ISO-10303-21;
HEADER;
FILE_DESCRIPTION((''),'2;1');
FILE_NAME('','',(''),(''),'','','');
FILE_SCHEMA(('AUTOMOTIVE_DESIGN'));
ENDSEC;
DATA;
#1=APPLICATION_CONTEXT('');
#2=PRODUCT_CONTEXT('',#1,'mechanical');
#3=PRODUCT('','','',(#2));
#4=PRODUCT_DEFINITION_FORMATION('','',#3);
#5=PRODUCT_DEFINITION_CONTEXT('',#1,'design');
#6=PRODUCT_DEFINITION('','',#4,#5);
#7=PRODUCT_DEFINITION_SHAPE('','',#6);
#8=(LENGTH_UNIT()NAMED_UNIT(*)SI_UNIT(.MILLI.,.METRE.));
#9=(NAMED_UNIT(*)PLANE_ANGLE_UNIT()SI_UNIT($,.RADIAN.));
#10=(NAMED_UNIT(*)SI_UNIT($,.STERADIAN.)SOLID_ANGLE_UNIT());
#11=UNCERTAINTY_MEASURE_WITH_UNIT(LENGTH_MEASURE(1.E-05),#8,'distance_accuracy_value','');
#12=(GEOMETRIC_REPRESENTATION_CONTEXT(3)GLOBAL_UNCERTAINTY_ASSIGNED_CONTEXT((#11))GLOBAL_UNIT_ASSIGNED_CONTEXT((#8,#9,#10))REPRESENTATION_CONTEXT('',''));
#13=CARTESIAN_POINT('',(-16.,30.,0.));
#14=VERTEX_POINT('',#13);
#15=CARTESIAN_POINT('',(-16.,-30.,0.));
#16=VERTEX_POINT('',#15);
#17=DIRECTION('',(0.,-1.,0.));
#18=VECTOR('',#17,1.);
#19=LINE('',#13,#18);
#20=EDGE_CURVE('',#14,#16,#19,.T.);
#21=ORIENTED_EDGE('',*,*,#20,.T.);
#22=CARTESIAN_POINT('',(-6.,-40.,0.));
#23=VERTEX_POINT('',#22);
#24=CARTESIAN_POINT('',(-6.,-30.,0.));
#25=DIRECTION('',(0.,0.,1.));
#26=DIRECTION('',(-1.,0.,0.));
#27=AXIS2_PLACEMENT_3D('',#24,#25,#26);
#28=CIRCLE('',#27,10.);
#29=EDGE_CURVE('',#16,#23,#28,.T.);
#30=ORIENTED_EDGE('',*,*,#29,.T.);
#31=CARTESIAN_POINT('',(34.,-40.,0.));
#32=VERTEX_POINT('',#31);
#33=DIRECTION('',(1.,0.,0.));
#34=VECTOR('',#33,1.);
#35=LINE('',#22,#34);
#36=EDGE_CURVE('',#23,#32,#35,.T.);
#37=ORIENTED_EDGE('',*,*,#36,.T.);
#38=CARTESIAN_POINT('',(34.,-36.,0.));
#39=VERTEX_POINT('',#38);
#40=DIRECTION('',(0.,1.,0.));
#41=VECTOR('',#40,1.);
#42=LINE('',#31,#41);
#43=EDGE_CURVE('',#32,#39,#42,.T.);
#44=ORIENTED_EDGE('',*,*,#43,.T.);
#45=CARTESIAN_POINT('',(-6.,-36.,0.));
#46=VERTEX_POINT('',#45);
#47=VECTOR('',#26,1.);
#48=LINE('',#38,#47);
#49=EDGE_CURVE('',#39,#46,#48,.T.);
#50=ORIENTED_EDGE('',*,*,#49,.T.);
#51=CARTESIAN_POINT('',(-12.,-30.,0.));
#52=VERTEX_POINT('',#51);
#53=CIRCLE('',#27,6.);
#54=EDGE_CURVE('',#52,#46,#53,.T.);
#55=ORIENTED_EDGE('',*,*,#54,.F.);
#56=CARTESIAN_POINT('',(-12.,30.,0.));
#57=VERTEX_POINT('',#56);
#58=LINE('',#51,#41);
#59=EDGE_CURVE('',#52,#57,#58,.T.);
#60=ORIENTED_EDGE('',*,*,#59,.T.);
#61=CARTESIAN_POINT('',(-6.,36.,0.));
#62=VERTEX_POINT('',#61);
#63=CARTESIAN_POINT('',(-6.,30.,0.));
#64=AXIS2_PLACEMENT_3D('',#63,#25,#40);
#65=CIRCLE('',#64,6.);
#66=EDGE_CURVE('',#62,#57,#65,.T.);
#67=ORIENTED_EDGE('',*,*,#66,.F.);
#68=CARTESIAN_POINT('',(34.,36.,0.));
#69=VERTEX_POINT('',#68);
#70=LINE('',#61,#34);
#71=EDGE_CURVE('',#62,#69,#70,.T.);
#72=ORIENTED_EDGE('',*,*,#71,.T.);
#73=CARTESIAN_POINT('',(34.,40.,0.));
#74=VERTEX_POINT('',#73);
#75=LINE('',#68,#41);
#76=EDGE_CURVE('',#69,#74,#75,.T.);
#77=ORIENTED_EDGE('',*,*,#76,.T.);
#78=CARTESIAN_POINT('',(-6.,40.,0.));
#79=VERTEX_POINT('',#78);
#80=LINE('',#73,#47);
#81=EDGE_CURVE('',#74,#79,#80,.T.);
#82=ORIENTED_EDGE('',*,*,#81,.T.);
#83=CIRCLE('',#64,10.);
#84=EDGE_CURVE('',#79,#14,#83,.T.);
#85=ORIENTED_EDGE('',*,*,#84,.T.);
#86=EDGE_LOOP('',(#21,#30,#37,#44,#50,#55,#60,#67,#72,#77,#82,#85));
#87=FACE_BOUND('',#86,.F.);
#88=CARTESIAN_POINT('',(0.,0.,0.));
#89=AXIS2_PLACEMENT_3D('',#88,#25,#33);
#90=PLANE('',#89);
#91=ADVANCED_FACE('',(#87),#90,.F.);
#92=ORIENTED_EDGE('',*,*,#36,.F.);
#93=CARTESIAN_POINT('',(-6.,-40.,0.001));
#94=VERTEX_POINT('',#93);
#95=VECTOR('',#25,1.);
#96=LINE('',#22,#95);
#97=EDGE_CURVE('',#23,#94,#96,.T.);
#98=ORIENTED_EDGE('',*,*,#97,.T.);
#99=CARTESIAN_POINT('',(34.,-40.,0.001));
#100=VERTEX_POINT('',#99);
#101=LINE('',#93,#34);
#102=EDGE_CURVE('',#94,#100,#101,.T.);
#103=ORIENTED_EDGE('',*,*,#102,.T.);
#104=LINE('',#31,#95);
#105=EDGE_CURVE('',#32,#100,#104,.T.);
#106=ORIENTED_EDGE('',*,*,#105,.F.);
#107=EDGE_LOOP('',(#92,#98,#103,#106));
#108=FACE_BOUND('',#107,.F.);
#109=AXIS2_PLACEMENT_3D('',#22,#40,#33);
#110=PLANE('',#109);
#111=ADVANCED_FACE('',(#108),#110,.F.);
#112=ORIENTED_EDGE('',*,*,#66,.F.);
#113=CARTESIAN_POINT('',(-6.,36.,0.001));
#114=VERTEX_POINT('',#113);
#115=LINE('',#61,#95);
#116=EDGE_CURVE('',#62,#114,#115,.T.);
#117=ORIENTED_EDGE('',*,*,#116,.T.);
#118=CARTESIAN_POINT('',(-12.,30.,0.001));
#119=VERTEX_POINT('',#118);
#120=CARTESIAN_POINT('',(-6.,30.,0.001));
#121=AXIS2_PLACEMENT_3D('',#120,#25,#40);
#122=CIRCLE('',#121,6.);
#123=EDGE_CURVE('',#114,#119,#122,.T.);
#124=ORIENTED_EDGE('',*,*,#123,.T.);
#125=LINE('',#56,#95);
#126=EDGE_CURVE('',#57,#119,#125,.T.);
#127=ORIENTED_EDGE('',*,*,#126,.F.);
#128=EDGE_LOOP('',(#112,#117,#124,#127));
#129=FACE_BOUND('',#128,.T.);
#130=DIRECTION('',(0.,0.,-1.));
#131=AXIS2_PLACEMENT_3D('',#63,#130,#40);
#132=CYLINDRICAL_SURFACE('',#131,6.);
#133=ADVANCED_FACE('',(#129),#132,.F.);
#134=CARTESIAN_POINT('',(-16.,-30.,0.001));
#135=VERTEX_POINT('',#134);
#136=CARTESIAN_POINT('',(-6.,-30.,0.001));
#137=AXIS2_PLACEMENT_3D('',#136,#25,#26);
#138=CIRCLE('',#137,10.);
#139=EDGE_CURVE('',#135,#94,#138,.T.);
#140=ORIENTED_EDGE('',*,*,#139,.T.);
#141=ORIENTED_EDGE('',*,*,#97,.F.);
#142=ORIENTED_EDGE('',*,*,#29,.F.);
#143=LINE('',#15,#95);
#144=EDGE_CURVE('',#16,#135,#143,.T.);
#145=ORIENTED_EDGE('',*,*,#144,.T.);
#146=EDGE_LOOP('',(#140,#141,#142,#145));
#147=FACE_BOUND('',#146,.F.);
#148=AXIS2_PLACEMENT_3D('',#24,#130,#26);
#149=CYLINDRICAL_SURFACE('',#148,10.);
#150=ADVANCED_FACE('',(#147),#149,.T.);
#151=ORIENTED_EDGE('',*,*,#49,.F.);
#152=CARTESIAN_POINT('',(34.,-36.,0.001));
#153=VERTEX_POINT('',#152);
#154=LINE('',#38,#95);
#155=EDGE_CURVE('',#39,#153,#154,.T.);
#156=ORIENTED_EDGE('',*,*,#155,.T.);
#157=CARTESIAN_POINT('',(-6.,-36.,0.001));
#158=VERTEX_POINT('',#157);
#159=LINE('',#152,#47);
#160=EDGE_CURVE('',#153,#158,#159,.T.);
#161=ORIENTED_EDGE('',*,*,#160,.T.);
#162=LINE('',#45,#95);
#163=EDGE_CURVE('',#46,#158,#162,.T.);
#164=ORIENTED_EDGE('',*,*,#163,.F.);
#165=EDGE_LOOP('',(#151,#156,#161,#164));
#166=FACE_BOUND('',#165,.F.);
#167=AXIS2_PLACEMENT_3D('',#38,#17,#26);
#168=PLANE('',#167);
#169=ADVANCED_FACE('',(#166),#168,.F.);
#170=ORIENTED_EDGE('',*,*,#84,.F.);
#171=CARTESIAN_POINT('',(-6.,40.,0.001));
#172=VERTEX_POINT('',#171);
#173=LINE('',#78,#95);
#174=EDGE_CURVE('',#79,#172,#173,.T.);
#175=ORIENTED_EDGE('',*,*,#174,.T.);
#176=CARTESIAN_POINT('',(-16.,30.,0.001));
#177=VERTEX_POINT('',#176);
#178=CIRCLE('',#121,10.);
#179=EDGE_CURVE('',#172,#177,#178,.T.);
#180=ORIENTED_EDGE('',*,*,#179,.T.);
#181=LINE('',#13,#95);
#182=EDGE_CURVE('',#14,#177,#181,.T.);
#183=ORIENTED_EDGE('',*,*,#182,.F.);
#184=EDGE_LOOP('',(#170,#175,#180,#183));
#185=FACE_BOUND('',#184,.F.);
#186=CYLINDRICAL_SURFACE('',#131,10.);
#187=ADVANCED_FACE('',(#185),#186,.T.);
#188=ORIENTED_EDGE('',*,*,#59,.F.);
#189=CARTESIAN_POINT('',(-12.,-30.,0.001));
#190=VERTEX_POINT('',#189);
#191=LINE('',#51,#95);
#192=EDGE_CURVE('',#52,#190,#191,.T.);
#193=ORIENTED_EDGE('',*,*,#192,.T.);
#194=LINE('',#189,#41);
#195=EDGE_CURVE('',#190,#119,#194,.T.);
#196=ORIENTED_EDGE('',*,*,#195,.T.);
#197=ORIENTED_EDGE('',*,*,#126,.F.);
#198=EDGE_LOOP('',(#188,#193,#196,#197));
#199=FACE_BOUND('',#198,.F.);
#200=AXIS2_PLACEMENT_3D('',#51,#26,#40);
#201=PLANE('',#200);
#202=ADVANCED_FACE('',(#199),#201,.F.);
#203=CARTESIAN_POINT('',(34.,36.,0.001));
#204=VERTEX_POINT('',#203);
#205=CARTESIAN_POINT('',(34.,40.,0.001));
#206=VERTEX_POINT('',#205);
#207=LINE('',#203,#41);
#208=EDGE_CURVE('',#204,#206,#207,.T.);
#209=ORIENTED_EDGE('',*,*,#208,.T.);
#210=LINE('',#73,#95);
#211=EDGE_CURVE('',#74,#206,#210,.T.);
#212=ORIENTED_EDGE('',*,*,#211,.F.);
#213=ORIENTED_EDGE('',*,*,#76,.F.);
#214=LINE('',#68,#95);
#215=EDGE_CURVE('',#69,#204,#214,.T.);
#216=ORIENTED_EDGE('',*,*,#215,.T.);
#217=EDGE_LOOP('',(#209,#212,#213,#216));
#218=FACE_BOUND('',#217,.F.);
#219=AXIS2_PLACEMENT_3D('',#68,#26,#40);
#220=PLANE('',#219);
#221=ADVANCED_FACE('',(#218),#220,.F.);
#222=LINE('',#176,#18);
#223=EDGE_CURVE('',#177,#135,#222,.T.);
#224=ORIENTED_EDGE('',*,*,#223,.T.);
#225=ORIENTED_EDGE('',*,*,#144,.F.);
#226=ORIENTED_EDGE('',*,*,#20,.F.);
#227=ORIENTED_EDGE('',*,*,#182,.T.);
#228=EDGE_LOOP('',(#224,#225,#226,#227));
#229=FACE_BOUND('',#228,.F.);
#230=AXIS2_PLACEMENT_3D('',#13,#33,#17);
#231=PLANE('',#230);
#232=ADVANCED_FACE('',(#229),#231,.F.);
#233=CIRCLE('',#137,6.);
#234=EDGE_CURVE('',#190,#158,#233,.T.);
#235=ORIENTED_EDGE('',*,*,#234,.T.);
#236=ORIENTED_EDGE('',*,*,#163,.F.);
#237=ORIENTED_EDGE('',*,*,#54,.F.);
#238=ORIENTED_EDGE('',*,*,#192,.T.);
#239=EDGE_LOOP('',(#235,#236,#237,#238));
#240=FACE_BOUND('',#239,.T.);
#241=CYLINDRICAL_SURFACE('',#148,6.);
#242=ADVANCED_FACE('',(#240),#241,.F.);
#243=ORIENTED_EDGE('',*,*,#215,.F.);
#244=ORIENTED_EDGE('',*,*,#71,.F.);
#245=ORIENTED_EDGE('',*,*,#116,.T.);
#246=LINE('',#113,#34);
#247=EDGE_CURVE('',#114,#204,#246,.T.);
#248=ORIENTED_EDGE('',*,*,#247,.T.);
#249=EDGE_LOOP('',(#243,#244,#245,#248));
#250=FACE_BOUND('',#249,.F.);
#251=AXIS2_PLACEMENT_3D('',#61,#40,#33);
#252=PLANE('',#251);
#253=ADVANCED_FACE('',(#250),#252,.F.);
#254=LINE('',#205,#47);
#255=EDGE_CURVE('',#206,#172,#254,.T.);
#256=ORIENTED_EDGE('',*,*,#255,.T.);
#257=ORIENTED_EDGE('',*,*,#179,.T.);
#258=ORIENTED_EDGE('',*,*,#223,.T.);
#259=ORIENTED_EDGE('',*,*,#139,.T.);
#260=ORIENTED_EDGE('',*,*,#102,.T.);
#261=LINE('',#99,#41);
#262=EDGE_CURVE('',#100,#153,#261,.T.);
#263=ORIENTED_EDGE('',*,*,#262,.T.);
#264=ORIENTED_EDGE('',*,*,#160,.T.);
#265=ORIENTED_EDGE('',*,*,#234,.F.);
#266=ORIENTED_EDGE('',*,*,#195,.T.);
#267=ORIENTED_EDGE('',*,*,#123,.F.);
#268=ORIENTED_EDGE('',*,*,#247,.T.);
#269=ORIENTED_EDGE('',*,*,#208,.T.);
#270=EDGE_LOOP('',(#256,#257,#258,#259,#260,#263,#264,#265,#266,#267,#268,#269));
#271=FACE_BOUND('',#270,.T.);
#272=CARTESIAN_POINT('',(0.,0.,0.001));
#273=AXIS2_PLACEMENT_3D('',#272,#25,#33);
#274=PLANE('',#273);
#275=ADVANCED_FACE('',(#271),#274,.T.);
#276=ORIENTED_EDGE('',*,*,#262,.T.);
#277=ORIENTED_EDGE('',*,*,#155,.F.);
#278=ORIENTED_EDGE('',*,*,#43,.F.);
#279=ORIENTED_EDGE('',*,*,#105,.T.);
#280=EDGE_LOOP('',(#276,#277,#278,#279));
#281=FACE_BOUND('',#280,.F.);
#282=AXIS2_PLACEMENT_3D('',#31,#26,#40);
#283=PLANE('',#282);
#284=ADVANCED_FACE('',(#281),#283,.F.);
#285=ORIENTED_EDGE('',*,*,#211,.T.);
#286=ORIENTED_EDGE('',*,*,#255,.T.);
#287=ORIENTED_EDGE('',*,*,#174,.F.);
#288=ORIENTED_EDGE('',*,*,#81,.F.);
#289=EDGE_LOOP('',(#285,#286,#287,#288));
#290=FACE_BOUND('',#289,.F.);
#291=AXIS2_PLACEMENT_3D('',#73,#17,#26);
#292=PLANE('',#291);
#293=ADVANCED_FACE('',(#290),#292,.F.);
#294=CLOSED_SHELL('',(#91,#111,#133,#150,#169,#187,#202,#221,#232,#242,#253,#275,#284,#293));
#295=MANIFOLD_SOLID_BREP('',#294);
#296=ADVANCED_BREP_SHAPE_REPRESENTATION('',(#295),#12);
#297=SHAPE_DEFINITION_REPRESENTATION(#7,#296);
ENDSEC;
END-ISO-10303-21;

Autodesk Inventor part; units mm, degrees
ref_plane "YZ Plane" through (0, 0, 0) normal (1, 0, 0) x (0, 1, 0)
ref_plane "Начальная плоскость" through (0, 0, 0) normal (0, 0, 1) x (1, 0, 0)
ref_plane "Конечная плоскость" through (0, 0, 0.001) normal (0, 0, 1) x (1, 0, 0)
sketch "Эскиз" plane through (0, 0, 0) normal (0, 0, 1) x (1, 0, 0)
  line L0 (34, 36) -> (34, 40)
  line L1 (-6, 36) -> (34, 36)
  line L2 (-12, -30) -> (-12, 30)
  line L3 (34, -36) -> (-6, -36)
  line L4 (34, -40) -> (34, -36)
  line L5 (-6, -40) -> (34, -40)
  line L6 (-16, 30) -> (-16, -30)
  line L7 (34, 40) -> (-6, 40)
  arc A0 (-16, -30) -> (-6, -40) centre (-6, -30) ccw
  arc A1 (-6, 40) -> (-16, 30) centre (-6, 30) ccw
  arc A2 (-6, 36) -> (-12, 30) centre (-6, 30) ccw
  arc A3 (-12, -30) -> (-6, -36) centre (-6, -30) ccw
  line L8 (0, 18.9497) -> (0, -18.9497) construction
  line L9 (-6.4426, 0) -> (31.4071, 0) construction
  point P0 (-12, 36)
  point P1 (-12, -36)
  point P2 (-16, -40)
  point P3 (-16, 40)
  dimension "d1" = 4
  dimension "d3" = 4
  dimension "d14" = 80
  dimension "d15" = 10
  dimension "d16" = 6
  dimension "d17" = 50
  dimension "d23" = 16
  dimension "d24" = 50
  dimension "d25" = 40
extrude "Базовый элемент" add sketch "Эскиз" along normal up to surface (0.001 mm away) from surface at 0
sketch "Sketch3" plane through (0, 0, 0) normal (0, 0, 1) x (1, 0, 0)
  line L0 (0, 0) -> (10, 0)
ref_plane "Work Plane3" through (0, 0, 0) normal (0, -1, 0) x (1, 0, 0)
sketch "Sketch4" plane through (0, 0, 0) normal (0, -1, 0) x (1, 0, 0)
  line L0 (-2, 0) -> (12, 0)
  line L1 (-2, 0.001) -> (12, 0.001)
  dimension "d29" = 0.001
equation "\"d1\" = G_T"
equation "\"d3\" = G_T"
equation "\"d14\" = G_H"
equation "\"d15\" = G_IR + G_T"
equation "\"d16\" = G_IR"
equation "\"d17\" = G_W"
equation "\"d23\" = ex"
equation "\"d24\" = G_W"
equation "\"d25\" = 0.5 * G_H"
equation "\"d10\" = G_L"
equation "\"G_H\" = 80"
equation "\"G_W\" = 50"
equation "\"G_T\" = 4"
equation "\"G_L\" = d29"
equation "\"ex\" = 16"
equation "\"G_OFFSET_START\" = 0"
equation "\"G_OFFSET_END\" = 0"
equation "\"d27\" = G_OFFSET_END + B_L"
equation "\"G_IR\" = 6"
equation "\"B_L\" = 0.001"
properties part number "Швеллер 80x50x4x6-0,001 ГОСТ 8278-83" material "Сталь, мягкая"
